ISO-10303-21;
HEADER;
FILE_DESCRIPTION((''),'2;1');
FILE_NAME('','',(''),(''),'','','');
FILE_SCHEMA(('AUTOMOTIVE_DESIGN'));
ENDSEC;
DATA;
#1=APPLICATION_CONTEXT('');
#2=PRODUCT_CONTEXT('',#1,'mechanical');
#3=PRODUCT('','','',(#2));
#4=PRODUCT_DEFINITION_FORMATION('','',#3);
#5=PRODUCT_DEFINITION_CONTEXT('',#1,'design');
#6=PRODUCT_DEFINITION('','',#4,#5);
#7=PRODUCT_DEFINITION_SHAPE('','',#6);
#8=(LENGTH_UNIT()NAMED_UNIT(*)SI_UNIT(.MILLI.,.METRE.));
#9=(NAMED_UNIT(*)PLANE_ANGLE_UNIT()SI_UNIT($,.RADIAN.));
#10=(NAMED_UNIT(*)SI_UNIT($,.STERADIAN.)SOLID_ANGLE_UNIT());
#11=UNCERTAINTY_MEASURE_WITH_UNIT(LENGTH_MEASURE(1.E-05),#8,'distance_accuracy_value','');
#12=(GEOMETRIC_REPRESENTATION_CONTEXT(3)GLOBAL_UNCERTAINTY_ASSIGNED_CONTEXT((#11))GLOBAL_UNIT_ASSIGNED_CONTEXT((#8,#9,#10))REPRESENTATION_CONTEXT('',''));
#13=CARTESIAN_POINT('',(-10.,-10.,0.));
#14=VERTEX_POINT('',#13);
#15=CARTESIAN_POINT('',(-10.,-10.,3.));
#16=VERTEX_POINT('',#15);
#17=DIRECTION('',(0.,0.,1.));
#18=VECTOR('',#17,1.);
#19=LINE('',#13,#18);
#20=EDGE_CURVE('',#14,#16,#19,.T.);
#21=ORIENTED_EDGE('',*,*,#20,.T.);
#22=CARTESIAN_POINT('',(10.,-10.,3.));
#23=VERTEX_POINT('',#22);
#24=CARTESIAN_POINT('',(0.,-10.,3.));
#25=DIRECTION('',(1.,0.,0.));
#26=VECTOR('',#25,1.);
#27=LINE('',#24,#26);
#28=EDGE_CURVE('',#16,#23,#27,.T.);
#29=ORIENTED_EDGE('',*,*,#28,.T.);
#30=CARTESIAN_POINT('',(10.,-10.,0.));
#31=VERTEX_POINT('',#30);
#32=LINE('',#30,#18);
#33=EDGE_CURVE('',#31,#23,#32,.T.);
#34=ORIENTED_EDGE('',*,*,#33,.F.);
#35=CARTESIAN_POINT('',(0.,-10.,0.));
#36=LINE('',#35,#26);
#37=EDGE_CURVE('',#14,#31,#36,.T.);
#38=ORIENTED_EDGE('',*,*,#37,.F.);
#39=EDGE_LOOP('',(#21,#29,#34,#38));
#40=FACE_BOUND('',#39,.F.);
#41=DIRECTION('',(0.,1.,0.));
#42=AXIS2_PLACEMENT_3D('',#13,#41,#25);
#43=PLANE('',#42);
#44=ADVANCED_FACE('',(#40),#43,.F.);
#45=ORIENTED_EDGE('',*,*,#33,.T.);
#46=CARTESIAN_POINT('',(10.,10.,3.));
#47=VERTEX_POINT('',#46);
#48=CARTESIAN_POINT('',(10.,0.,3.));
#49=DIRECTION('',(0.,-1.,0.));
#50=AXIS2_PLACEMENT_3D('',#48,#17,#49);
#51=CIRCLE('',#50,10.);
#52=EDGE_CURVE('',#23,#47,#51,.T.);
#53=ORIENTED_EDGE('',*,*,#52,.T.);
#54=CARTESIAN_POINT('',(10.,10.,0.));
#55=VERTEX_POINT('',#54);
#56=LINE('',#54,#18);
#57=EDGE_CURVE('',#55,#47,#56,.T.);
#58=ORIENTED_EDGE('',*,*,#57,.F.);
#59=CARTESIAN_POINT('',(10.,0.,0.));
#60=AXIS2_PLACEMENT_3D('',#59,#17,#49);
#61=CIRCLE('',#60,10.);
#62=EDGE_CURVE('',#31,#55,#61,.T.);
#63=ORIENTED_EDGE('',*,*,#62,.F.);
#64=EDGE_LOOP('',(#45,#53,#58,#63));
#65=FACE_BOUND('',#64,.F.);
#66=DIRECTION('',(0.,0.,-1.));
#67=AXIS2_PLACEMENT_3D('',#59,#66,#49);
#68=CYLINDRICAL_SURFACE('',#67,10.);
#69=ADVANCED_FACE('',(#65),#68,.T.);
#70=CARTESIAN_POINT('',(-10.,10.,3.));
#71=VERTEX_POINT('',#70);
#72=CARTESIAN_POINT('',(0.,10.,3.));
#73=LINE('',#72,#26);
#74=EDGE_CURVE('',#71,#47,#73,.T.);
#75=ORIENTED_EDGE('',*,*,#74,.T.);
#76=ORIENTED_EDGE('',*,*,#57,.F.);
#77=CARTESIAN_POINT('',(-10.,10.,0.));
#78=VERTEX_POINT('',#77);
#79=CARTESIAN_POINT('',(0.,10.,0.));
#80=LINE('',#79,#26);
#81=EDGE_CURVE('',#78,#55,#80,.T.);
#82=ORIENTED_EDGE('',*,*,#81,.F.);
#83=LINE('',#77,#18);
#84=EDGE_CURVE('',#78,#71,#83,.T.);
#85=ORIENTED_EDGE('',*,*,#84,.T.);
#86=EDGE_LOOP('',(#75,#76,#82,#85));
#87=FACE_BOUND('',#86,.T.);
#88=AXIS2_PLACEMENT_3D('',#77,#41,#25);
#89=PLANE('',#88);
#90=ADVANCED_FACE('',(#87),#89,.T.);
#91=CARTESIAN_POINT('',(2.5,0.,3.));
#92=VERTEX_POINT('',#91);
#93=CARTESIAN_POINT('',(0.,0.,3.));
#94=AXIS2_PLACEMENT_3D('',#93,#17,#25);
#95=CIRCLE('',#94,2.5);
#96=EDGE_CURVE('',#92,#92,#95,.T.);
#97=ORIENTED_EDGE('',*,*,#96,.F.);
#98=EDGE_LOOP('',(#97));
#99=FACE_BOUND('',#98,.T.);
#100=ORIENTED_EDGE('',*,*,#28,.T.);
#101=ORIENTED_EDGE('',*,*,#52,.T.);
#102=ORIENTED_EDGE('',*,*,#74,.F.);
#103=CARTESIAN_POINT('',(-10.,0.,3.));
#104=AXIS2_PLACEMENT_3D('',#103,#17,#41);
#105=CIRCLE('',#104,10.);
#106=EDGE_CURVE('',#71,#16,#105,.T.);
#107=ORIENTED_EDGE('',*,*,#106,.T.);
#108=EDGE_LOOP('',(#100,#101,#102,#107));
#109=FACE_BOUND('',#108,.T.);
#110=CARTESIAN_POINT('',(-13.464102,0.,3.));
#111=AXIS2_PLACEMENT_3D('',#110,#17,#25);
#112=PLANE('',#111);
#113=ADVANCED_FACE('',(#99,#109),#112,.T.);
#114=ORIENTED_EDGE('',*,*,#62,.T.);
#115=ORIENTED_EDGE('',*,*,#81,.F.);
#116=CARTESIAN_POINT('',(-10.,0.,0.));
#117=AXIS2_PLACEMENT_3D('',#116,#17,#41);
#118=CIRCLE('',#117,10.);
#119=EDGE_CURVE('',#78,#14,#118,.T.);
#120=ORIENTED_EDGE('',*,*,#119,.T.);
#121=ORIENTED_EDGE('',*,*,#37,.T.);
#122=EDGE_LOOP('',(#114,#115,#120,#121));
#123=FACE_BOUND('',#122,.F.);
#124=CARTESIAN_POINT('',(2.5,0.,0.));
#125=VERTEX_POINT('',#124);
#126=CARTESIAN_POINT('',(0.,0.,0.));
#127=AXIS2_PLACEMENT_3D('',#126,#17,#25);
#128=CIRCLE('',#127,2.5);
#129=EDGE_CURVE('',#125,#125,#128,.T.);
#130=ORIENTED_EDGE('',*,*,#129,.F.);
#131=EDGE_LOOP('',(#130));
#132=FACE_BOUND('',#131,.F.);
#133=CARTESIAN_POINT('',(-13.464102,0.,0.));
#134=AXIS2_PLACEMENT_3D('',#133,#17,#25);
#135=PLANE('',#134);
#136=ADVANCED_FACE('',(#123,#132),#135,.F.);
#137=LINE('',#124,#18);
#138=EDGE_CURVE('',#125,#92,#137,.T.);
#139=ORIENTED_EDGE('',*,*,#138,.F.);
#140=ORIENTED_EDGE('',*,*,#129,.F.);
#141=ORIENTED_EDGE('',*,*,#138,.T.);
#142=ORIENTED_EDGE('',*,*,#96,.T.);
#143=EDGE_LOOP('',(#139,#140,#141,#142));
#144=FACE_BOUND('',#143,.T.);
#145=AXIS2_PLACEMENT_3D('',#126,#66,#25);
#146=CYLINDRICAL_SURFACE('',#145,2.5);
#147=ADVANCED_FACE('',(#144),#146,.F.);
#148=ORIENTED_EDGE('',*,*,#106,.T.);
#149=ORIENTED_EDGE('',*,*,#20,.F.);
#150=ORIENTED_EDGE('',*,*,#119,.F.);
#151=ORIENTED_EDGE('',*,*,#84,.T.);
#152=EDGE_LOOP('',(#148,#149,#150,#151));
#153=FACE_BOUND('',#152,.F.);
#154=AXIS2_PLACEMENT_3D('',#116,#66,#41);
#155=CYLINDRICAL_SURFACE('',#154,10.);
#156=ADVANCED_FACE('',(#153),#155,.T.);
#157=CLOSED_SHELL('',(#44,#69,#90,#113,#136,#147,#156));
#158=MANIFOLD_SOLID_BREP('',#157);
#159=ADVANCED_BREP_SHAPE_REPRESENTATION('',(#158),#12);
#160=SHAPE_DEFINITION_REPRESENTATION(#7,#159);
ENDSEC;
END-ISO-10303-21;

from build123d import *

# Parameters (mm, degrees)
F0_W     = 20
F0_H     = 20
F0_R     = 2.5
F1_DEPTH = 3


with BuildPart() as f1:
    # F0 (on Top) → F1 (new body)
    with BuildSketch(Plane.XY):
        with BuildLine():
            ThreePointArc((-10, 10), (-20, 0), (-10, -10))
            Line((-10, -10), (-10, 10))
        make_face()
        Rectangle(F0_W, F0_H)
        Circle(F0_R, mode=Mode.SUBTRACT)
        with BuildLine():
            Line((10, 10), (10, -10))
            ThreePointArc((10, -10), (20, 0), (10, 10))
        make_face()
    extrude(amount=F1_DEPTH)


solid = f1.part
